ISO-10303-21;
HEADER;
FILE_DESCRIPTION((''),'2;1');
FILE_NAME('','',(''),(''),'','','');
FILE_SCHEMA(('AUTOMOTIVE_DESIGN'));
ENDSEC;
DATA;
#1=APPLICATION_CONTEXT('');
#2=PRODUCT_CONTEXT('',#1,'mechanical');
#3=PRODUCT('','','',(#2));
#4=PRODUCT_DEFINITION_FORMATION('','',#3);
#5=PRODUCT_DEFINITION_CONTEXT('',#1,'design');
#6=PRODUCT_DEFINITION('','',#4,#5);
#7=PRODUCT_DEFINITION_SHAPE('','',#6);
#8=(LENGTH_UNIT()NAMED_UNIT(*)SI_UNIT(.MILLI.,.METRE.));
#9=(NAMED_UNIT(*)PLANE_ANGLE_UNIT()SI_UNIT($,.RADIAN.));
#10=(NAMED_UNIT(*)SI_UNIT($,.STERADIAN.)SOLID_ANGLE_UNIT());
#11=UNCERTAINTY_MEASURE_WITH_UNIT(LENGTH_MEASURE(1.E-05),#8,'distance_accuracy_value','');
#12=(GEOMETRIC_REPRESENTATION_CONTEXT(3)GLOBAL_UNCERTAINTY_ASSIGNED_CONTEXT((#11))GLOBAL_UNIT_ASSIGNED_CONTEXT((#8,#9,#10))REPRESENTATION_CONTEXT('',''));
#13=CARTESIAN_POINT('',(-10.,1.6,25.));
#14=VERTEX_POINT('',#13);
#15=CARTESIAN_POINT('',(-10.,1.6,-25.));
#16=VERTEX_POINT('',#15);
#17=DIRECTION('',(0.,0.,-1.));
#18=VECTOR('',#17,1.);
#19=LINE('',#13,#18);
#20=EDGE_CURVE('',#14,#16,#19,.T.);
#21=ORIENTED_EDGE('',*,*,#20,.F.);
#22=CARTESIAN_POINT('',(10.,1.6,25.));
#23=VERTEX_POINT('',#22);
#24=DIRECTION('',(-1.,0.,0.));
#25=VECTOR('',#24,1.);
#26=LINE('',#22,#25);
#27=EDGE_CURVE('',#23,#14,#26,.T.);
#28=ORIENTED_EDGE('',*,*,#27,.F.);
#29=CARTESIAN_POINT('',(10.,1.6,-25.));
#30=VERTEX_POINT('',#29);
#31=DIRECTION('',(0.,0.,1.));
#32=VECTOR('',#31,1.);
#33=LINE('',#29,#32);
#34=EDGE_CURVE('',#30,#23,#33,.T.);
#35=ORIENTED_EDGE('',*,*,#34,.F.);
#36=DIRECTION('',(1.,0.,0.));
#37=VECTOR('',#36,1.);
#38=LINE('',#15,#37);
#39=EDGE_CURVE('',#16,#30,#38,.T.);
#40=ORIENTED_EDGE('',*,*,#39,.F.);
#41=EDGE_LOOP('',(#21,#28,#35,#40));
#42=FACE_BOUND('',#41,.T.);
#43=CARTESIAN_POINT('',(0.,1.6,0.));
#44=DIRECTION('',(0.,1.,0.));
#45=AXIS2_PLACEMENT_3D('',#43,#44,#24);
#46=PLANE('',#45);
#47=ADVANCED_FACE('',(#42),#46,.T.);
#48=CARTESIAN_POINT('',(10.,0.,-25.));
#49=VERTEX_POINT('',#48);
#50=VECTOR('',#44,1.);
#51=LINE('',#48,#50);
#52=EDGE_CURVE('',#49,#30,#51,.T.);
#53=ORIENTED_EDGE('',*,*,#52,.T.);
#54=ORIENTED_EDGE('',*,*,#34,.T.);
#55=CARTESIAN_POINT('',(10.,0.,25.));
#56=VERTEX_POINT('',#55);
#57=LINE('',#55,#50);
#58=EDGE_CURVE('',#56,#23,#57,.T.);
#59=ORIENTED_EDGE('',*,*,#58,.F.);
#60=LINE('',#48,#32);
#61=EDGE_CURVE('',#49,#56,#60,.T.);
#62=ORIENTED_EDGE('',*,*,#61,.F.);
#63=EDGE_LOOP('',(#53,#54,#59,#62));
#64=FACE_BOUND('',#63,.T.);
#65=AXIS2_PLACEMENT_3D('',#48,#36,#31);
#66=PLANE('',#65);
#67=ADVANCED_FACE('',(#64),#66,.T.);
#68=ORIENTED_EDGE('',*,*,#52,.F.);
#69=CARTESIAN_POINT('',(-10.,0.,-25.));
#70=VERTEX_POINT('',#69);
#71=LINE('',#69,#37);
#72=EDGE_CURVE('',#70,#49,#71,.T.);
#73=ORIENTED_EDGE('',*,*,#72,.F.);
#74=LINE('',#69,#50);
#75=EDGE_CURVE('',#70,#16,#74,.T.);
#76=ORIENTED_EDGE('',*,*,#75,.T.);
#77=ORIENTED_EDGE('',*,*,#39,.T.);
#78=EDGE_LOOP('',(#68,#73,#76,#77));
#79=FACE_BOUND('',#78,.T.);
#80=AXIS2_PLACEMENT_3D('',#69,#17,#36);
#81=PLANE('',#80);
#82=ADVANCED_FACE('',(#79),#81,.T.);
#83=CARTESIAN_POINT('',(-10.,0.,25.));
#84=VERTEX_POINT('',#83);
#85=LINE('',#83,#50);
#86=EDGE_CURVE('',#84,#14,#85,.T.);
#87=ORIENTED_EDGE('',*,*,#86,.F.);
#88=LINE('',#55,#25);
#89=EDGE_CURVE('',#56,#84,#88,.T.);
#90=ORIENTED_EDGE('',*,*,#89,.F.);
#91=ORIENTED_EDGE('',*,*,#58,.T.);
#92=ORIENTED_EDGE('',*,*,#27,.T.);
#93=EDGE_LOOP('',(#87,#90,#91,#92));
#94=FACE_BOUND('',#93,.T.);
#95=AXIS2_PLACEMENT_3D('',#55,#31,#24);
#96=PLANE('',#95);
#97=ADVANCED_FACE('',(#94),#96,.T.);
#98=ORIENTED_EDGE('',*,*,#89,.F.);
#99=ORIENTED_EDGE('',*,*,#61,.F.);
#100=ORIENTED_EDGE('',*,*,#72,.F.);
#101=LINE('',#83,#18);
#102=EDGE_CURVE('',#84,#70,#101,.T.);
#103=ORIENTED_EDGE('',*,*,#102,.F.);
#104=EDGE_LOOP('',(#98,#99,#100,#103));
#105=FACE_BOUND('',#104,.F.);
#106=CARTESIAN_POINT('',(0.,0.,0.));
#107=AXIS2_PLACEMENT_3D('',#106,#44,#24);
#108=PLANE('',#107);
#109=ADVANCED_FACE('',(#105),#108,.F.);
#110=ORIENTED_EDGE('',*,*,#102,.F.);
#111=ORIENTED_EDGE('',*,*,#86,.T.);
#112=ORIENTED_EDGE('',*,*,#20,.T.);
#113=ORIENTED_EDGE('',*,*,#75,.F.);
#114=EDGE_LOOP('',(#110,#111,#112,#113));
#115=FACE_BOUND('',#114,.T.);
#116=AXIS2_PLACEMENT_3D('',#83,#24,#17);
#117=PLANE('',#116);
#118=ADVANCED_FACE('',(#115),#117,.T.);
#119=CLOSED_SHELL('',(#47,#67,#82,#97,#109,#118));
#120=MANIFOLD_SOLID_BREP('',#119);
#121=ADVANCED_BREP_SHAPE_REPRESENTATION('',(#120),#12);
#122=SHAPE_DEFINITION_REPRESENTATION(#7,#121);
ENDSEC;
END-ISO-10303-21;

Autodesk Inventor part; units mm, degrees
ref_plane "YZ Plane" through (0, 0, 0) normal (1, 0, 0) x (0, 1, 0)
ref_plane "XZ Plane" through (0, 0, 0) normal (0, 1, 0) x (-1, 0, 0)
ref_plane "XY Plane" through (0, 0, 0) normal (0, 0, 1) x (1, 0, 0)
sketch "Sketch1" plane through (0, 0, 0) normal (0, 1, 0) x (-1, 0, 0)
  line L0 (-10, 25) -> (10, 25)
  line L1 (10, 25) -> (10, -25)
  line L2 (10, -25) -> (-10, -25)
  line L3 (-10, -25) -> (-10, 25)
  line L4 (-10, 25) -> (10, -25) construction
  line L5 (10, 25) -> (-10, -25) construction
  point P0 (0, 0)
  dimension "d0" = 20
  dimension "d1" = 50
extrude "Extrusion1" add sketch "Sketch1" along normal blind 1.6
properties part number "MotorReg"
